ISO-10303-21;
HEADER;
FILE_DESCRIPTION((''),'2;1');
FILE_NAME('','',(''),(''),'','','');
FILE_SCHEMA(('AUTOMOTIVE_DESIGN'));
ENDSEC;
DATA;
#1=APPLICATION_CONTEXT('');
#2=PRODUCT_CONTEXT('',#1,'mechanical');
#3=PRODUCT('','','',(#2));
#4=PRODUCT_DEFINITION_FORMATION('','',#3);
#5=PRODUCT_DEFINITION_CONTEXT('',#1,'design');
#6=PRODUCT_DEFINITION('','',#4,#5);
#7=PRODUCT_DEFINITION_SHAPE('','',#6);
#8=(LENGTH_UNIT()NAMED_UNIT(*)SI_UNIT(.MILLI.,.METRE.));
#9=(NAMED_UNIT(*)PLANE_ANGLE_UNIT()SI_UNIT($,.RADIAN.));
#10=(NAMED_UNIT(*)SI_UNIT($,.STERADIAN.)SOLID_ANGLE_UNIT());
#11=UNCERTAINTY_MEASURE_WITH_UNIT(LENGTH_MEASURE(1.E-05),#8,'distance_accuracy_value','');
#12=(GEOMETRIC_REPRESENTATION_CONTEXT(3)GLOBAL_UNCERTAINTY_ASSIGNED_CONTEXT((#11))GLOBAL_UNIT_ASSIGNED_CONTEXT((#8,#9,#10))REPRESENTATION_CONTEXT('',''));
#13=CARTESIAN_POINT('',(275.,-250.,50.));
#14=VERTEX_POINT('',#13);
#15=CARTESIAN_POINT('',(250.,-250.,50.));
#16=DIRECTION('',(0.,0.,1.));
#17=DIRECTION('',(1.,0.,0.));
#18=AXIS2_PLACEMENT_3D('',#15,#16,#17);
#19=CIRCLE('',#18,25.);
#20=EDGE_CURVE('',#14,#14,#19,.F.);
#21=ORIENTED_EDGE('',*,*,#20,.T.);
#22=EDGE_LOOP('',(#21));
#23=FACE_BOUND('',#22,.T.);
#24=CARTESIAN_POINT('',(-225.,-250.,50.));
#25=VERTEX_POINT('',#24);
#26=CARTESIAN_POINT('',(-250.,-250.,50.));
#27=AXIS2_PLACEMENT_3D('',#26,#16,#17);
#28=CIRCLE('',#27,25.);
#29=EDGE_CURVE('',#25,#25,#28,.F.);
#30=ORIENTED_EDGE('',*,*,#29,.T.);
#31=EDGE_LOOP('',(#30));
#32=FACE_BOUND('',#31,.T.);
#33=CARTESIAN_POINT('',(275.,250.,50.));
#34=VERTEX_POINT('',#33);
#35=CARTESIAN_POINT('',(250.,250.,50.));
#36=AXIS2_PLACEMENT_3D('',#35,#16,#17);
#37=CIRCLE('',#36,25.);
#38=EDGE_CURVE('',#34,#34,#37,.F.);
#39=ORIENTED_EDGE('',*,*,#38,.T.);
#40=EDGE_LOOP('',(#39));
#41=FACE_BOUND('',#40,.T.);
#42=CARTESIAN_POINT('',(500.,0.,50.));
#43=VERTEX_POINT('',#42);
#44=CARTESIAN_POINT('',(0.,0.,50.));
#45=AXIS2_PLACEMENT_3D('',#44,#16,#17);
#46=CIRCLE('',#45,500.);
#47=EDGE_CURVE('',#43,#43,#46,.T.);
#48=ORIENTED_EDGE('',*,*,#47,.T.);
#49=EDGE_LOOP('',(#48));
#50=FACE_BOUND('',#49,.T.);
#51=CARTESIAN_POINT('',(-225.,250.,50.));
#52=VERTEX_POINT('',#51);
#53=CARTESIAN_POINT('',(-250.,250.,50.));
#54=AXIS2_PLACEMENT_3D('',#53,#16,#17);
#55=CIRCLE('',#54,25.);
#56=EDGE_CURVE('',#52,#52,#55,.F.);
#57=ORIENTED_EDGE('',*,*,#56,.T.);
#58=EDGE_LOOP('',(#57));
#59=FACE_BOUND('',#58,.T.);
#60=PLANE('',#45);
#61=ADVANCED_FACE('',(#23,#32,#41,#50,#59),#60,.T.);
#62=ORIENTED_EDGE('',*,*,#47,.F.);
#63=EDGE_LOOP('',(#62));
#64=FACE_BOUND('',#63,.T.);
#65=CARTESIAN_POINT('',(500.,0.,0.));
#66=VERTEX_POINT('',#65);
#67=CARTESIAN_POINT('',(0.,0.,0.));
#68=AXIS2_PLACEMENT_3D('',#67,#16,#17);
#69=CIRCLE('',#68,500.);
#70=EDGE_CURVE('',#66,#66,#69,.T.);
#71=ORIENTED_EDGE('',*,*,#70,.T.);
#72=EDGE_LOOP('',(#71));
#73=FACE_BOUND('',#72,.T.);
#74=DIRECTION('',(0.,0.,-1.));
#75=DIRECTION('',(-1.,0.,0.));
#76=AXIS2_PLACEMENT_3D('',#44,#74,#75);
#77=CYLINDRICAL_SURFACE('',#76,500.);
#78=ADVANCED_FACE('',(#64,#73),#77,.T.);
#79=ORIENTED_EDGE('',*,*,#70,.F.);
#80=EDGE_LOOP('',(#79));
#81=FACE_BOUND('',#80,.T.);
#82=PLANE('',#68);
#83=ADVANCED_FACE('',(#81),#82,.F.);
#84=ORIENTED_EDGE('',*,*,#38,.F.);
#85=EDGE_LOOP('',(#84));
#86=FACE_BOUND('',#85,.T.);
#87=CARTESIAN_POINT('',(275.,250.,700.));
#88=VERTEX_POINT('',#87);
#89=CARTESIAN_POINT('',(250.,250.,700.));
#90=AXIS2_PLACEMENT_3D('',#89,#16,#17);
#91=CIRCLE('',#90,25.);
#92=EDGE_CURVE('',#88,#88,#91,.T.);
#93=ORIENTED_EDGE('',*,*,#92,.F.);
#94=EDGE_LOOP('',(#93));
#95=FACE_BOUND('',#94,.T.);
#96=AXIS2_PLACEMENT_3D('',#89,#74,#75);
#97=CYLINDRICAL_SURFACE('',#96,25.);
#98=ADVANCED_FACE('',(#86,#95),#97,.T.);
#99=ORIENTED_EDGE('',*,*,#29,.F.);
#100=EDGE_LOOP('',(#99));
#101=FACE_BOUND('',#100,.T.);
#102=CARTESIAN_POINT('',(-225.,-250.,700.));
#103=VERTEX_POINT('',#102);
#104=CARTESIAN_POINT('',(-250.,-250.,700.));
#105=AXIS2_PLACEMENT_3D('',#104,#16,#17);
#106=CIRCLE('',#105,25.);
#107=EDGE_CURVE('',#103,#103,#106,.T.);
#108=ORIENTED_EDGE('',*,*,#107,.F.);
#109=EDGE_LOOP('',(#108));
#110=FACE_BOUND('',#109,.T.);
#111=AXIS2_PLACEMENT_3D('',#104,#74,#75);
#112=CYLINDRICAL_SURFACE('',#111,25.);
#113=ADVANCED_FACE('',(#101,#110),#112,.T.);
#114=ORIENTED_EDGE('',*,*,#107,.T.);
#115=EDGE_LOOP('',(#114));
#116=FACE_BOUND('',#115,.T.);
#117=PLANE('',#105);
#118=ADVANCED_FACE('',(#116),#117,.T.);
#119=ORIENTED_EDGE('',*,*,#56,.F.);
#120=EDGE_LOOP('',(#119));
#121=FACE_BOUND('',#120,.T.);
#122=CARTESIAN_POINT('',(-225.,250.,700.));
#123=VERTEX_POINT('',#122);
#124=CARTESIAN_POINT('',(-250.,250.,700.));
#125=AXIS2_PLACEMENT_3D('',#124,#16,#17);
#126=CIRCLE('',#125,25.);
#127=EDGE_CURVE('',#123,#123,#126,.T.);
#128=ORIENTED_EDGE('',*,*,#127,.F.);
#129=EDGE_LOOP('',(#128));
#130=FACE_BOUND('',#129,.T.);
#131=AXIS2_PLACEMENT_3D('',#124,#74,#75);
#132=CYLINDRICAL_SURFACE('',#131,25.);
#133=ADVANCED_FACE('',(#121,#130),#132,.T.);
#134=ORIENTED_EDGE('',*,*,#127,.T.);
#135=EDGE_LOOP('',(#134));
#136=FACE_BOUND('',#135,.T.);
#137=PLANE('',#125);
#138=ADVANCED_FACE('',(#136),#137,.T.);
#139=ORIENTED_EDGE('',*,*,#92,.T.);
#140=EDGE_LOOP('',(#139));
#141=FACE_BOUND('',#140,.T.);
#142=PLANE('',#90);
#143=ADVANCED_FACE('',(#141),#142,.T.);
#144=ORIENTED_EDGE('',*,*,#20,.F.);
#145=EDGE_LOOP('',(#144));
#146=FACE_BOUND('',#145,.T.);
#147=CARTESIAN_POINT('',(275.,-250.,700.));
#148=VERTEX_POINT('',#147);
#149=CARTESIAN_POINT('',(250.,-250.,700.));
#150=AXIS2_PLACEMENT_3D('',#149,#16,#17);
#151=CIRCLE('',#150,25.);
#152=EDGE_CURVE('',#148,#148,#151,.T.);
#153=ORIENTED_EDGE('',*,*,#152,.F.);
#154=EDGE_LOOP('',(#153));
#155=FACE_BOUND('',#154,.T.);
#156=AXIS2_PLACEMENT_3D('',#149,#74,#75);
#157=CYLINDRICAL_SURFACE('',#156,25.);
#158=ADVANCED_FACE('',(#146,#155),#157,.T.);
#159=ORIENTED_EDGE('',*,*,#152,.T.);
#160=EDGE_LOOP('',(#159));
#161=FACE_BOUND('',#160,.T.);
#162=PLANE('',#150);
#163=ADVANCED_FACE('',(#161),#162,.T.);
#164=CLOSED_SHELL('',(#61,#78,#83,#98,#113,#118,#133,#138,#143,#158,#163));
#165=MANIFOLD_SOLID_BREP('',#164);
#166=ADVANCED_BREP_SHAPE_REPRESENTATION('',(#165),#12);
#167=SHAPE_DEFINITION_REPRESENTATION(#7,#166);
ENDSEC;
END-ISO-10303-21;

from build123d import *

# Parameters (mm, degrees)
SKETCH_1_R      = 500
EXTRUDE_1_DEPTH = 50
SKETCH_2_R      = 25
EXTRUDE_2_DEPTH = 700
SKETCH_3_R      = 25
EXTRUDE_3_DEPTH = 700
SKETCH_4_R      = 25
EXTRUDE_4_DEPTH = 700
SKETCH_5_R      = 25
EXTRUDE_5_DEPTH = 700


with BuildPart() as part:
    # 草图1 → 凸台-拉伸1 (new body)
    with BuildSketch(Plane.XY):
        Circle(SKETCH_1_R)
    extrude(amount=EXTRUDE_1_DEPTH)

    # 草图2 → 凸台-拉伸2 (add)
    with BuildSketch(Plane.XY):
        with Locations((250, 250)):
            Circle(SKETCH_2_R)
    extrude(amount=EXTRUDE_2_DEPTH)

    # 草图3 → 凸台-拉伸3 (add)
    with BuildSketch(Plane.XY):
        with Locations((-250, 250)):
            Circle(SKETCH_3_R)
    extrude(amount=EXTRUDE_3_DEPTH)

    # 草图4 → 凸台-拉伸4 (add)
    with BuildSketch(Plane.XY):
        with Locations((250, -250)):
            Circle(SKETCH_4_R)
    extrude(amount=EXTRUDE_4_DEPTH)

    # 草图5 → 凸台-拉伸5 (add)
    with BuildSketch(Plane.XY):
        with Locations((-250, -250)):
            Circle(SKETCH_5_R)
    extrude(amount=EXTRUDE_5_DEPTH)


solid = part.part
